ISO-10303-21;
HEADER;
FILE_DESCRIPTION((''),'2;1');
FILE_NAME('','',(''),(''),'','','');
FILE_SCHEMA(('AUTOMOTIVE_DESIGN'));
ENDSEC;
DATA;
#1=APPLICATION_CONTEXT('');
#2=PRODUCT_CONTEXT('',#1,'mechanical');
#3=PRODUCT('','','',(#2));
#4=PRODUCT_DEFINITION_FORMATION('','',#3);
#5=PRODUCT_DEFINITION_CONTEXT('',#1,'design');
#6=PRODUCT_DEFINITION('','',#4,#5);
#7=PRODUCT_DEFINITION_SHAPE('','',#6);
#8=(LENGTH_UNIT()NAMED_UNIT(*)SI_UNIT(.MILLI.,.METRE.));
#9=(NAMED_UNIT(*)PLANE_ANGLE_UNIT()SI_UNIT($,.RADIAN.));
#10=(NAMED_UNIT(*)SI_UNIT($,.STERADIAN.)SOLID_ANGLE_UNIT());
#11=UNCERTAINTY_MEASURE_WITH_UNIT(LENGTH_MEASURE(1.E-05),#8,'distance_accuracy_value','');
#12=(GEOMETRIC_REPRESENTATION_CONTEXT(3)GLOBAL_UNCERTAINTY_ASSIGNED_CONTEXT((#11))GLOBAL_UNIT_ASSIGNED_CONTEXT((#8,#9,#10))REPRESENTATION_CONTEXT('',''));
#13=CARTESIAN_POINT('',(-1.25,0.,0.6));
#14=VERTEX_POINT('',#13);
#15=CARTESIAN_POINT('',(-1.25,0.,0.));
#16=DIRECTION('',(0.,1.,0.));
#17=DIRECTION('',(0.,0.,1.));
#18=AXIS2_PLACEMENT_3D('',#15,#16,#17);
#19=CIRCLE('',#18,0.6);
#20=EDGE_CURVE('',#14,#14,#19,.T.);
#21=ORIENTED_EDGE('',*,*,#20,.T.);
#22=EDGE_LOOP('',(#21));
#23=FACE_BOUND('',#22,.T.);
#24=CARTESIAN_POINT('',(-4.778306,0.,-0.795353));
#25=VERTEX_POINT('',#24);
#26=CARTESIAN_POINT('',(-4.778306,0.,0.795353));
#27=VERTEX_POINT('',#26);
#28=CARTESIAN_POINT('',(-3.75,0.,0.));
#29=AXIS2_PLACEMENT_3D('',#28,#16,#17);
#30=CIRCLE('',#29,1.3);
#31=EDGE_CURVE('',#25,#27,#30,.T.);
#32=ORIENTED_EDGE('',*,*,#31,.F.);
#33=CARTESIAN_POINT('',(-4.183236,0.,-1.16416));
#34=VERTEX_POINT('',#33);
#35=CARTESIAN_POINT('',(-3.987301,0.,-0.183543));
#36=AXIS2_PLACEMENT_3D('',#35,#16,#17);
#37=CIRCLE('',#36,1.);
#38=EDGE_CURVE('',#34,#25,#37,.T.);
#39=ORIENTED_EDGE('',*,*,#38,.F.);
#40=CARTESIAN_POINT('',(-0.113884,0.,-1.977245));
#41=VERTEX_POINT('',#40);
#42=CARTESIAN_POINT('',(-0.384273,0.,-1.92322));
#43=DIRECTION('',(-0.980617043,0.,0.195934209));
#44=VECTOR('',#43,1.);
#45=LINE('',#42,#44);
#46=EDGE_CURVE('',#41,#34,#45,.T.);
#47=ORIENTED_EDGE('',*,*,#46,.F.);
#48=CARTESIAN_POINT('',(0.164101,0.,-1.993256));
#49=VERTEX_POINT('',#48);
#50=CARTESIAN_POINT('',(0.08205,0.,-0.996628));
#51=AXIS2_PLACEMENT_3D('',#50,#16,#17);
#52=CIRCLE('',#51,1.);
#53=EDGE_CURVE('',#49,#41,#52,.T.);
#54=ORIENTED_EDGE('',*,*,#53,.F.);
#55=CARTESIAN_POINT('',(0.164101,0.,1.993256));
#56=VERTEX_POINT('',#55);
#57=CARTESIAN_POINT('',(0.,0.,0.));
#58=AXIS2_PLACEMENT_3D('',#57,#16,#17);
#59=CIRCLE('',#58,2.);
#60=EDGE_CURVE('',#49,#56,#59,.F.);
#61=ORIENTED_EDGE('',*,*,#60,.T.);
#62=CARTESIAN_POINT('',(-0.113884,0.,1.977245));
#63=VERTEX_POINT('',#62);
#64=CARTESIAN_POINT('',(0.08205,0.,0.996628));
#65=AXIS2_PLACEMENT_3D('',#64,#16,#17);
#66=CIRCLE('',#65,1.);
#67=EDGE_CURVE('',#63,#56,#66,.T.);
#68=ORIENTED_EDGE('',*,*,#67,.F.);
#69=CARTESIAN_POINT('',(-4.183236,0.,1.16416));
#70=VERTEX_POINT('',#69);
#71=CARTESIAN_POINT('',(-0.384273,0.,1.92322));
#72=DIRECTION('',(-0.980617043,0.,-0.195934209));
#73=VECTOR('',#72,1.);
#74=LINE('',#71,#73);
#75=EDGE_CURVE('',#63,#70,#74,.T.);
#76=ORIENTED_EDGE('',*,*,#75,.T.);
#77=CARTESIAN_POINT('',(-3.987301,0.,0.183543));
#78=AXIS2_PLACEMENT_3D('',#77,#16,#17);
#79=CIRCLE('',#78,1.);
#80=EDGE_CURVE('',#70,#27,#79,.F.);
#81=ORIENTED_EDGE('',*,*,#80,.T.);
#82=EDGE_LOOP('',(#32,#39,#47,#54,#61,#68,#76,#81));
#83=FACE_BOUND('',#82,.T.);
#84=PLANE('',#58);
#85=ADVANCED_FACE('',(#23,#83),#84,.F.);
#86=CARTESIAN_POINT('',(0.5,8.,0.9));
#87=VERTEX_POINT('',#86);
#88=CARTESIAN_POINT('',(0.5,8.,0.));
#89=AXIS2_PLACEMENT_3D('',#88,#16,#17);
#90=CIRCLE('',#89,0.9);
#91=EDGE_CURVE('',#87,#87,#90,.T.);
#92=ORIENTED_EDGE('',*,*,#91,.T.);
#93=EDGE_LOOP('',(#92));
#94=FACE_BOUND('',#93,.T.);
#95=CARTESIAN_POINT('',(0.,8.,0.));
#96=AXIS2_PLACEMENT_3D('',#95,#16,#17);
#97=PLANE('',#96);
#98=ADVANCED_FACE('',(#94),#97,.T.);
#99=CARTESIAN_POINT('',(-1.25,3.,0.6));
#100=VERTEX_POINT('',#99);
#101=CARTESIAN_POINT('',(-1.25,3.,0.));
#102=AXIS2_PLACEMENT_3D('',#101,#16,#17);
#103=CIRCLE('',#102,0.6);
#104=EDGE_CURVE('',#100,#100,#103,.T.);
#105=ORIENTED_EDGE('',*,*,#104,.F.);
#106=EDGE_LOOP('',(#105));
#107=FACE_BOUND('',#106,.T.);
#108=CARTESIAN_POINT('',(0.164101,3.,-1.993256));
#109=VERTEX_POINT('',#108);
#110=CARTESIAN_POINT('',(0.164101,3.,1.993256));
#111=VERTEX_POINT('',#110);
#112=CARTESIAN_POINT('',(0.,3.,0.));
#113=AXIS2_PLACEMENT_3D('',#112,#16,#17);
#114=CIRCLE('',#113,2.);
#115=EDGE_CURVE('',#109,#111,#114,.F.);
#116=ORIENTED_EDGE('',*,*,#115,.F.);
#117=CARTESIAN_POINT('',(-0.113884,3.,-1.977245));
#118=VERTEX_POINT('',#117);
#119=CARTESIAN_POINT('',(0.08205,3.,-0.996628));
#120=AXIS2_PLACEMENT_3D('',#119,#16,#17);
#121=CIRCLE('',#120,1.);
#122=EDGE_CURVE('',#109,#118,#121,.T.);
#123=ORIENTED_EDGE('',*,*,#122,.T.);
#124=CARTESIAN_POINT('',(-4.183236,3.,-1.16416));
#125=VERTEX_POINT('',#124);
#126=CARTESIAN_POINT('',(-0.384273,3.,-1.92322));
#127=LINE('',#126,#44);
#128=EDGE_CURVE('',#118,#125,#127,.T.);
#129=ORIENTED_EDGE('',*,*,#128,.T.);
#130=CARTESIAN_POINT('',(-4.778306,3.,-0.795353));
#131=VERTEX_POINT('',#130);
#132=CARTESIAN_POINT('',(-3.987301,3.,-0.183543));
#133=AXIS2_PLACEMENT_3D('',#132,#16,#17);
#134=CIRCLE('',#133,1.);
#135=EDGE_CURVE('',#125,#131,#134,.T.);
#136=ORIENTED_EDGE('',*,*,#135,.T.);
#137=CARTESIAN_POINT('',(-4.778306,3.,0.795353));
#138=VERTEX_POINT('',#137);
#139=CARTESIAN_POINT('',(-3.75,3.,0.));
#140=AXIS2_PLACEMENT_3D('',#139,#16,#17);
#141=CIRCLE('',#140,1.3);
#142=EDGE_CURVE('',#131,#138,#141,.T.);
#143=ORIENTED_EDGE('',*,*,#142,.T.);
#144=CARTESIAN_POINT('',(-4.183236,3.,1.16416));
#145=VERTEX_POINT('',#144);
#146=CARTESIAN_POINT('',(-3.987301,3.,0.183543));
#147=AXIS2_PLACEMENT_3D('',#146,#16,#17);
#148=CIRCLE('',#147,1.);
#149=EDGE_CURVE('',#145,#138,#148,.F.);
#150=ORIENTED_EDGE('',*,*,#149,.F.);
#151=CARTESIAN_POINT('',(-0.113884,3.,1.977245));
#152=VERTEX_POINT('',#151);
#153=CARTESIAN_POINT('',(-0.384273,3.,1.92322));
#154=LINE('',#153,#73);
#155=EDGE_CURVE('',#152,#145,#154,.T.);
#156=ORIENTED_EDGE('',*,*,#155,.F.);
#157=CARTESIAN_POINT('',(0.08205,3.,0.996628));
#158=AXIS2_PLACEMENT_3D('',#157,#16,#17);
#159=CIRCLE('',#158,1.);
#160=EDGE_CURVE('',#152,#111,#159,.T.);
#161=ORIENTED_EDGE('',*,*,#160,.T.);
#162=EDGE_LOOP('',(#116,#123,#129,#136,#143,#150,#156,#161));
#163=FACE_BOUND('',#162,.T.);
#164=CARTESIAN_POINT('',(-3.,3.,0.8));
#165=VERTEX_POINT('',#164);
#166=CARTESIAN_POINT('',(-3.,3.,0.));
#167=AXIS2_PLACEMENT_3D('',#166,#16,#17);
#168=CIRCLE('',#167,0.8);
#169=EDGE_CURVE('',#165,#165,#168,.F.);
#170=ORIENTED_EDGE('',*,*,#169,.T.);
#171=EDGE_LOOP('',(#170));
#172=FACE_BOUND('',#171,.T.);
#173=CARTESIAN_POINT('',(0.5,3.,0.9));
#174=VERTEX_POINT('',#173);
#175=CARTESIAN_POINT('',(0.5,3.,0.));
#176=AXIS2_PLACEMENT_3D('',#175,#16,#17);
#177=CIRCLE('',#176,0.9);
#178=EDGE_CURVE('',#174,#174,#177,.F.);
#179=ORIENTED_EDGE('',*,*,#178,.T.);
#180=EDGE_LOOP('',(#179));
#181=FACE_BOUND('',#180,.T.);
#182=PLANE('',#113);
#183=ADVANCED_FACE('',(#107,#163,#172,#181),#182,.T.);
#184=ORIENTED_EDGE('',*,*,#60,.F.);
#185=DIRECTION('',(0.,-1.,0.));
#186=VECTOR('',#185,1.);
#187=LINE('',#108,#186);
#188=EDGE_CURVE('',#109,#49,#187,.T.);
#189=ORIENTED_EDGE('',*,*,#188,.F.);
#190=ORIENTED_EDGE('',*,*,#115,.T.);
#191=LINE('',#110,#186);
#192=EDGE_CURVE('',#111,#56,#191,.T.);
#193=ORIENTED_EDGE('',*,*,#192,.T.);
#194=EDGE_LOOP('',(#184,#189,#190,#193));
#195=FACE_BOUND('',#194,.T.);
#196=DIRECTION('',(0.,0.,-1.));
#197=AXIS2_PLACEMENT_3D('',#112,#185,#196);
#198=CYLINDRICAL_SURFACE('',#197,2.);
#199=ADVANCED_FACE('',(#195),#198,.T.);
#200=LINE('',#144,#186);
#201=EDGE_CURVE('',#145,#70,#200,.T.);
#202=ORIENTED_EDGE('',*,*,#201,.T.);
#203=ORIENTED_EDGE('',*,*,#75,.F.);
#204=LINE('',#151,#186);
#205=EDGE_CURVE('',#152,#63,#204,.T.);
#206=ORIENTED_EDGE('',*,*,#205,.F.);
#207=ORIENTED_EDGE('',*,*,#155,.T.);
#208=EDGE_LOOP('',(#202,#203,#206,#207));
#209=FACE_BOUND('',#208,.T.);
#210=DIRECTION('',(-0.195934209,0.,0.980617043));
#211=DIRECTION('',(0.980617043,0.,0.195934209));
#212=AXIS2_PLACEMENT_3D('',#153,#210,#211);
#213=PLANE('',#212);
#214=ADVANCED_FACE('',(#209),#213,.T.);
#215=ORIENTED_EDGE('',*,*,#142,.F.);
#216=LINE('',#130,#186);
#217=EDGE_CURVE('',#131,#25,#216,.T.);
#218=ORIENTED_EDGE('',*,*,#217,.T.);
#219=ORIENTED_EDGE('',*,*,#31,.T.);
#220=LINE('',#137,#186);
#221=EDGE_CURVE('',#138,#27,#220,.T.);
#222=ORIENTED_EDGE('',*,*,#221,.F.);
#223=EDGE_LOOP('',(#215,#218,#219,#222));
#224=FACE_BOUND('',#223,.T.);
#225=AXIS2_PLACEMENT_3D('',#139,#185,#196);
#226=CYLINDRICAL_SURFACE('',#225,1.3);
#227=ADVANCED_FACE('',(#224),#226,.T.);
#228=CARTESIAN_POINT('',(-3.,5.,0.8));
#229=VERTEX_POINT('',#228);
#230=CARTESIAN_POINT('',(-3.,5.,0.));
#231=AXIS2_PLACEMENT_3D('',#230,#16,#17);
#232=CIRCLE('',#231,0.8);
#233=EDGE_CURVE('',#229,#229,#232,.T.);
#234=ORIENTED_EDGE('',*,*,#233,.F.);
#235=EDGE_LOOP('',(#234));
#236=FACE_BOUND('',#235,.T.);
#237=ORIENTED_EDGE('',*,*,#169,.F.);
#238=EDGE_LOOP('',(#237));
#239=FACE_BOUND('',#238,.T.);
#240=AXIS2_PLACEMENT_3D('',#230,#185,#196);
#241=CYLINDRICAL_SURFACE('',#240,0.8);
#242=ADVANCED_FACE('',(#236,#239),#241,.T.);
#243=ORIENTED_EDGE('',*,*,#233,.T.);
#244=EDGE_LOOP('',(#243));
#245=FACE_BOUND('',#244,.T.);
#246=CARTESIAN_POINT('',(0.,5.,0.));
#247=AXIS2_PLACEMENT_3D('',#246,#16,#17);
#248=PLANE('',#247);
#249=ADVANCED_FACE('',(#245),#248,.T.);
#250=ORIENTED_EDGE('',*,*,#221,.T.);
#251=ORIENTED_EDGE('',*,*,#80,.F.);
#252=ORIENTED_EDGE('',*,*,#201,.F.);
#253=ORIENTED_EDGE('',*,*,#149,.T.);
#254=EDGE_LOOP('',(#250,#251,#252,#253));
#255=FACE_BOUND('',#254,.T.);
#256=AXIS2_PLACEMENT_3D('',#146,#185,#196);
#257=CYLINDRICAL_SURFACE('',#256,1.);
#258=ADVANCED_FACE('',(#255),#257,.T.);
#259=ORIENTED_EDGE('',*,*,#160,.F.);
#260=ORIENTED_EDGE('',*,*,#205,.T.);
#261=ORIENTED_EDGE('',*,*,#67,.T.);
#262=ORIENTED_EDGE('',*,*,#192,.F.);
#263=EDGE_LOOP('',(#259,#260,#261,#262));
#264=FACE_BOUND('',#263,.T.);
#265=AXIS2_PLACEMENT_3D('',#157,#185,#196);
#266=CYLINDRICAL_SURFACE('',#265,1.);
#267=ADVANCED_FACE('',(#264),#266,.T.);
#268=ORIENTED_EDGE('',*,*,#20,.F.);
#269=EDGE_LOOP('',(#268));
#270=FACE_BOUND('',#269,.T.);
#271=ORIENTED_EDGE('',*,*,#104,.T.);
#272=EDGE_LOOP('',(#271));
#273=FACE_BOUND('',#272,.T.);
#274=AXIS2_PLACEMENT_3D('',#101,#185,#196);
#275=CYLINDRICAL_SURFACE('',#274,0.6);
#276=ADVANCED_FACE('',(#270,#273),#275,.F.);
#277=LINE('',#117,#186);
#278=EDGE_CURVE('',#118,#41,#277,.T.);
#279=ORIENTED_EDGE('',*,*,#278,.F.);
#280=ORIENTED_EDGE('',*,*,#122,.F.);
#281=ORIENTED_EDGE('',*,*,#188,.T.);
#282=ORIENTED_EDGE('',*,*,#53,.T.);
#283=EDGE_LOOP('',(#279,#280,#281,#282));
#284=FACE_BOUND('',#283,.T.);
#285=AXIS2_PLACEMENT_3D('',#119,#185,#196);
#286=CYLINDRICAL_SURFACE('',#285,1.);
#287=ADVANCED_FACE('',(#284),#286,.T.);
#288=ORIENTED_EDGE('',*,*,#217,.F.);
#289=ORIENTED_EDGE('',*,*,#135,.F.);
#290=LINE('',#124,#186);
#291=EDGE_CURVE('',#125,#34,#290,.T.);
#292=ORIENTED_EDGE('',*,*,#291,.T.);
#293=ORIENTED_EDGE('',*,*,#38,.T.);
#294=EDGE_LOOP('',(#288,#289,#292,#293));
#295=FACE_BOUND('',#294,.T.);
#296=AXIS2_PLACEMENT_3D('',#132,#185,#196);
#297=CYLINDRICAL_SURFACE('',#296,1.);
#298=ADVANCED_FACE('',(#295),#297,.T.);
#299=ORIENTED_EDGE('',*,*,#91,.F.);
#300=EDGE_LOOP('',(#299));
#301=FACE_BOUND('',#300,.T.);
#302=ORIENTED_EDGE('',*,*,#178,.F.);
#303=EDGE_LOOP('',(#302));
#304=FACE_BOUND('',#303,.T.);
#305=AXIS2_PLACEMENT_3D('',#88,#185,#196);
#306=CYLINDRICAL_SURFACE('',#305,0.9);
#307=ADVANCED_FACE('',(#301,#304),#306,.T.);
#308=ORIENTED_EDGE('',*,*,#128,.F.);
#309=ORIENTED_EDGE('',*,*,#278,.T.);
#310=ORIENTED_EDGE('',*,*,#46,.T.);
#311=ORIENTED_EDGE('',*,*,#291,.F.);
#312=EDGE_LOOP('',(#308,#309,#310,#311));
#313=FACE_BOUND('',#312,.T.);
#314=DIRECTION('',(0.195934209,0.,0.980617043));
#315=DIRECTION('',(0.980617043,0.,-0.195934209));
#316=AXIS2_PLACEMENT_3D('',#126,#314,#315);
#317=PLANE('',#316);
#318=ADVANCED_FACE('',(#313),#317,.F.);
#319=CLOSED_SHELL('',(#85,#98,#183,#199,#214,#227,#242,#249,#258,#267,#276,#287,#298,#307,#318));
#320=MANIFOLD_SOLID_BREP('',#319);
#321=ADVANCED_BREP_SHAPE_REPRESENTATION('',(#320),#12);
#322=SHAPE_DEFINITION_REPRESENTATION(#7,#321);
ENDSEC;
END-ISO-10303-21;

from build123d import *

# Parameters (mm, degrees)
SKETCH1_R           = 0.6
BOSS_EXTRUDE1_DEPTH = 3
SKETCH1_22_R        = 0.9
BOSS_EXTRUDE2_DEPTH = 8
SKETCH1_23_R        = 0.8
BOSS_EXTRUDE3_DEPTH = 5


with BuildPart() as part:
    # Sketch1 → Boss-Extrude1 (new body)
    with BuildSketch(Plane(origin=(0, 0, 0), x_dir=(1, 0, 0), z_dir=(0, 1, 0))):
        with BuildLine():
            ThreePointArc((0.1641009, 1.993256355), (0.024548565, 1.994973575), (-0.113883759, 1.977245221))
            Line((-0.113883759, 1.977245221), (-4.183235691, 1.164159973))
            ThreePointArc((-4.183235691, 1.164159973), (-4.514100231, 1.033532975), (-4.77830642, 0.795352694))
            ThreePointArc((-4.77830642, 0.795352694), (-5.05, 0), (-4.77830642, -0.795352694))
            ThreePointArc((-4.77830642, -0.795352694), (-4.514100231, -1.033532975), (-4.183235691, -1.164159973))
            Line((-4.183235691, -1.164159973), (-0.11388376, -1.977245221))
            ThreePointArc((-0.11388376, -1.977245221), (0.024548564, -1.994973575), (0.164100898, -1.993256355))
            ThreePointArc((0.164100898, -1.993256355), (2, -1e-09), (0.1641009, 1.993256355))
        make_face()
        with Locations((-1.25, 0)):
            Circle(SKETCH1_R, mode=Mode.SUBTRACT)
    extrude(amount=BOSS_EXTRUDE1_DEPTH)

    # Sketch1<22> → Boss-Extrude2 (add)
    with BuildSketch(Plane(origin=(0, 0, 0), x_dir=(1, 0, 0), z_dir=(0, 1, 0))):
        with Locations((0.5, 0)):
            Circle(SKETCH1_22_R)
    extrude(amount=BOSS_EXTRUDE2_DEPTH)

    # Sketch1<23> → Boss-Extrude3 (add)
    with BuildSketch(Plane(origin=(0, 0, 0), x_dir=(1, 0, 0), z_dir=(0, 1, 0))):
        with Locations((-3, 0)):
            Circle(SKETCH1_23_R)
    extrude(amount=BOSS_EXTRUDE3_DEPTH)


solid = part.part
